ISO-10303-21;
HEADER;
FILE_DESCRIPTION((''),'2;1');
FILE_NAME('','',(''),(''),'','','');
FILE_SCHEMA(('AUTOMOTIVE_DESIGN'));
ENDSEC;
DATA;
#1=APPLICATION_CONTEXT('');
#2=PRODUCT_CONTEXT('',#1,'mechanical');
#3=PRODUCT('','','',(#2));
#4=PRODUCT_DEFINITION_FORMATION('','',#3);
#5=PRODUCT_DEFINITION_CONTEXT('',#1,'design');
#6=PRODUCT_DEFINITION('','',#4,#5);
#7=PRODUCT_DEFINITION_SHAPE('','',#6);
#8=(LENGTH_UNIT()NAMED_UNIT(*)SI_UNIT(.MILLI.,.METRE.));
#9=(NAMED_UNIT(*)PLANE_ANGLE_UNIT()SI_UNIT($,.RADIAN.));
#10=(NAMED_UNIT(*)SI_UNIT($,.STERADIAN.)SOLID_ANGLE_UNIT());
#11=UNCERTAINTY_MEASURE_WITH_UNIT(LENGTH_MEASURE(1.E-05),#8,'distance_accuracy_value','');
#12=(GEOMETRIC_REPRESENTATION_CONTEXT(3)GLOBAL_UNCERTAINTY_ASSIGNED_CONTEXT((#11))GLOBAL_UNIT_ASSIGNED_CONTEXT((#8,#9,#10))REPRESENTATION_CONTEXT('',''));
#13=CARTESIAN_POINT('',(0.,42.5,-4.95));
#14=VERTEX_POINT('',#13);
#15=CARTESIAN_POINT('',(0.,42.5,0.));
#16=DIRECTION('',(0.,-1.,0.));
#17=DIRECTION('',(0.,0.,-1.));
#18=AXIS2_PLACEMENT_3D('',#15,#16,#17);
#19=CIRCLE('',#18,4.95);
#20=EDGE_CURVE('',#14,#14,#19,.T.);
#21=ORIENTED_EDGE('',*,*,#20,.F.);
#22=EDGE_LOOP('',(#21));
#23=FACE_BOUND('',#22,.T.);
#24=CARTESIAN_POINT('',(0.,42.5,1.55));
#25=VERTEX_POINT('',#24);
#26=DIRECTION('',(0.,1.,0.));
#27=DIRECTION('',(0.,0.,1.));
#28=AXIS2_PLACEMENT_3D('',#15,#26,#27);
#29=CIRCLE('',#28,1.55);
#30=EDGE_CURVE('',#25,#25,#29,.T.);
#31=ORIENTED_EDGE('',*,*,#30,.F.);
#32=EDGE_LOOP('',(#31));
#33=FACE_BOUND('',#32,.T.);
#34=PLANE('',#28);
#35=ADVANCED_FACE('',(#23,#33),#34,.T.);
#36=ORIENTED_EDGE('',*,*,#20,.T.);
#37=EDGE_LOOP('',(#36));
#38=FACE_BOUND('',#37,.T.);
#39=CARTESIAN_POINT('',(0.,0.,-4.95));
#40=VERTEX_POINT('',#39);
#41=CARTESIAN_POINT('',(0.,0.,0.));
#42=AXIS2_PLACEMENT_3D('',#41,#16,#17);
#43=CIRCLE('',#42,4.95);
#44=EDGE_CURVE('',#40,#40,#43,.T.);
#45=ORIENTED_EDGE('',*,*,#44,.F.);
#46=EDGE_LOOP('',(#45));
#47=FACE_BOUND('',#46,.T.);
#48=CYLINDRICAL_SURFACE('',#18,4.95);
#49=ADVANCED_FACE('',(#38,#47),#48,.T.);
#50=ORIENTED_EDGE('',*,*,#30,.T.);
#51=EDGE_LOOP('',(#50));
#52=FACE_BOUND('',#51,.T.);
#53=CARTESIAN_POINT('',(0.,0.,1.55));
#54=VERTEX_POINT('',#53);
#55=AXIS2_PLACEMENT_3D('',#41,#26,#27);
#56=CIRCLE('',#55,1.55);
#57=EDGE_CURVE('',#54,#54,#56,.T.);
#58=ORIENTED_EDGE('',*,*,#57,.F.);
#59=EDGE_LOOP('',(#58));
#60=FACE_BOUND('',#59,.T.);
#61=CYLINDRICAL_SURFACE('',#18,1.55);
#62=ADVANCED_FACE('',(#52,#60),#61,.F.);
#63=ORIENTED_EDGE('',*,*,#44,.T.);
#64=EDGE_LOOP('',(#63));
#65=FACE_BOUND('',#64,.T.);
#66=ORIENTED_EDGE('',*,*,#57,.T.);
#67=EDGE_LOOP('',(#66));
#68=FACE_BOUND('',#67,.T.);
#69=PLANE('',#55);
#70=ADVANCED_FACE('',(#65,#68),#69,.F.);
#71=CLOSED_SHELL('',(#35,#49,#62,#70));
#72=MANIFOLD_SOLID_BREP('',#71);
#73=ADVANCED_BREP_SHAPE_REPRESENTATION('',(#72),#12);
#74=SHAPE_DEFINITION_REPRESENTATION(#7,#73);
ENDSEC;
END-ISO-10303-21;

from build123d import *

# Parameters (mm, degrees)
SKETCH_1_R      = 4.725
SKETCH_1_R_2    = 1.55
EXTRUDE_1_DEPTH = 42.5
EXTRUDE_START   = -42.5
SKETCH_2_R      = 4.85
SKETCH_2_R_2    = 4.725
EXTRUDE_2_DEPTH = 42.5
SKETCH_3_R      = 4.875
SKETCH_3_R_2    = 4.85
EXTRUDE_3_DEPTH = 42.5
SKETCH_4_R      = 4.95
SKETCH_4_R_2    = 4.875
EXTRUDE_4_DEPTH = 42.5


with BuildPart() as part:
    # 草图1 → 凸台-拉伸1 (new body)
    with BuildSketch(Plane(origin=(0, 0, 0), x_dir=(1, 0, 0), z_dir=(0, 1, 0))):
        with Locations(Location((0, 0, 0), (0, 0, 270))):
            Circle(SKETCH_1_R)
        with Locations(Location((0, 0, 0), (0, 0, 270))):
            Circle(SKETCH_1_R_2, mode=Mode.SUBTRACT)
    extrude(amount=EXTRUDE_1_DEPTH)

    # 草图2 → 凸台-拉伸2 (add)
    with BuildSketch(Plane(origin=(0, 42.5, 0), x_dir=(1, 0, 0), z_dir=(0, 1, 0)).offset(EXTRUDE_START)):
        with Locations(Location((0, 0, 0), (0, 0, 270))):
            Circle(SKETCH_2_R)
        Circle(SKETCH_2_R_2, mode=Mode.SUBTRACT)
    extrude(amount=EXTRUDE_2_DEPTH)

    # 草图3 → 凸台-拉伸3 (add)
    with BuildSketch(Plane.XZ):
        with Locations(Location((0, 0, 0), (0, 0, 270))):
            Circle(SKETCH_3_R)
        Circle(SKETCH_3_R_2, mode=Mode.SUBTRACT)
    extrude(amount=-EXTRUDE_3_DEPTH)

    # 草图4 → 凸台-拉伸4 (add)
    with BuildSketch(Plane.XZ):
        with Locations(Location((0, 0, 0), (0, 0, 270))):
            Circle(SKETCH_4_R)
        Circle(SKETCH_4_R_2, mode=Mode.SUBTRACT)
    extrude(amount=-EXTRUDE_4_DEPTH)


solid = part.part
